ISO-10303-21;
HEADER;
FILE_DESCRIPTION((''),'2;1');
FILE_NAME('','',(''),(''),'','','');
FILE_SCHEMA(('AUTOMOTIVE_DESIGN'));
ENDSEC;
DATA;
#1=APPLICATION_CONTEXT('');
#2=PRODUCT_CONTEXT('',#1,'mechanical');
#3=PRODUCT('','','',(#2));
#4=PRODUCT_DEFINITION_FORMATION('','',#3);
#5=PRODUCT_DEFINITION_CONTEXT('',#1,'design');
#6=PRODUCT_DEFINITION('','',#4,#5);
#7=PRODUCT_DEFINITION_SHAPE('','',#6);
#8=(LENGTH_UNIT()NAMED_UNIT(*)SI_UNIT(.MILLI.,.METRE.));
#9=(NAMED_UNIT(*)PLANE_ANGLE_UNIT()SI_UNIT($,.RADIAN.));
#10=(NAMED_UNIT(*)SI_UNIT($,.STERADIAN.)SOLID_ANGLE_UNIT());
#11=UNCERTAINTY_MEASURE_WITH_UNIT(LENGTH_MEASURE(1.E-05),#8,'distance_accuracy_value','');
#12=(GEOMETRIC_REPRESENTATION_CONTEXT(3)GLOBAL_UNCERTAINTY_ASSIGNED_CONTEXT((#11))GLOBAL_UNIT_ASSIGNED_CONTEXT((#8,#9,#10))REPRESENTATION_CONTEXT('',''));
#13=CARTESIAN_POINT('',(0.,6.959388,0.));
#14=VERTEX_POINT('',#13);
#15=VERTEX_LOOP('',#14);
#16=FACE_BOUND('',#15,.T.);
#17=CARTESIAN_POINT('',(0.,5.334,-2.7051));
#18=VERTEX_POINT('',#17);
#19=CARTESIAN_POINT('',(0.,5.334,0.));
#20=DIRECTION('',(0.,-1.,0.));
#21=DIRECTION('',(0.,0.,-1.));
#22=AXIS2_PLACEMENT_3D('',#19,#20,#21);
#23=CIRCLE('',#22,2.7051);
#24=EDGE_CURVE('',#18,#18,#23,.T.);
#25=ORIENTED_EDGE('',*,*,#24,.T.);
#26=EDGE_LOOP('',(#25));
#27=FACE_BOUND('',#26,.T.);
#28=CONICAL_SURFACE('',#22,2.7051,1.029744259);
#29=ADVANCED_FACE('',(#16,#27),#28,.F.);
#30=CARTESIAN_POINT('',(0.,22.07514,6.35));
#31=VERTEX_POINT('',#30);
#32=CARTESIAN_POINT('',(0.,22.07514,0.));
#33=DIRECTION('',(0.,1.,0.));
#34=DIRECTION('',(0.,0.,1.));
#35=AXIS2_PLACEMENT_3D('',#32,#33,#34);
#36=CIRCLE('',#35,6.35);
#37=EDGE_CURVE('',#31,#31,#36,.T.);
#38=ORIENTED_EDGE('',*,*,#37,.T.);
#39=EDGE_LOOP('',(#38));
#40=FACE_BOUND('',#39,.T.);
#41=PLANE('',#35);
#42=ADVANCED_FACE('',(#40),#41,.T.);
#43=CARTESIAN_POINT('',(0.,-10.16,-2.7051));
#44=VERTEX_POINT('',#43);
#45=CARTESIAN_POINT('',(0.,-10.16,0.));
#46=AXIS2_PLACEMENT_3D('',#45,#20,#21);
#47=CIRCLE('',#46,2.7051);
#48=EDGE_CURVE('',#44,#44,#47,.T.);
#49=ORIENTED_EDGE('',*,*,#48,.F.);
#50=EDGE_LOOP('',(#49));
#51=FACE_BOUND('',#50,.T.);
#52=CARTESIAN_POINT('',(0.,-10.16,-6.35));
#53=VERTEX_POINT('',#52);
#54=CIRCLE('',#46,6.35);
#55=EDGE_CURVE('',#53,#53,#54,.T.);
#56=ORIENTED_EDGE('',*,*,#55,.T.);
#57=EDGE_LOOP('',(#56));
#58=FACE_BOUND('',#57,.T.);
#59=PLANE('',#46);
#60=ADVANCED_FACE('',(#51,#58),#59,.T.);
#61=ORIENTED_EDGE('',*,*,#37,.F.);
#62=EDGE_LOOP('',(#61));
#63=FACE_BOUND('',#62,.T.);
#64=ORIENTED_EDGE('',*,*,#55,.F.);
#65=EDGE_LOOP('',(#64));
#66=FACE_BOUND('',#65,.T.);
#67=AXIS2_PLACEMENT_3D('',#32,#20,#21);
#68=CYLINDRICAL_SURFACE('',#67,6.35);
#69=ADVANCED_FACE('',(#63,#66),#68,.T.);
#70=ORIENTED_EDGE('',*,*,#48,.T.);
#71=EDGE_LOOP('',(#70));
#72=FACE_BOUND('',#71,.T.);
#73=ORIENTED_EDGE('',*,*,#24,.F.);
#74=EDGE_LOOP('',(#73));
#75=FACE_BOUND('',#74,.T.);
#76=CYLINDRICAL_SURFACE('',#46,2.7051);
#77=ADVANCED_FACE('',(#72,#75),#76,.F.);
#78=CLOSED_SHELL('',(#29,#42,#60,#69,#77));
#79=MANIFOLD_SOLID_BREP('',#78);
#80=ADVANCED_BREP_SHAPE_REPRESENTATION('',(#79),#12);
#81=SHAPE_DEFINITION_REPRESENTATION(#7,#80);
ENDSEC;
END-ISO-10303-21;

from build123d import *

# Parameters (mm, degrees)
SKETCH1_R                   = 6.35
BOSS_EXTRUDE1_DEPTH         = 22.07514
SKETCH2_R                   = 6.35
BOSS_EXTRUDE2_DEPTH         = 10.16
F_1_4_28_TAPPED_HOLE1_D     = 5.4102
F_1_4_28_TAPPED_HOLE1_DEPTH = 15.494
F_1_4_28_TAPPED_HOLE1_TIP   = 1.625388061
SKETCH5_R                   = 6.35
BOSS_EXTRUDE3_DEPTH         = 3.175


with BuildPart() as part:
    # Sketch1 → Boss-Extrude1 (new body)
    with BuildSketch(Plane(origin=(0, 0, 0), x_dir=(1, 0, 0), z_dir=(0, 1, 0))):
        Circle(SKETCH1_R)
    extrude(amount=BOSS_EXTRUDE1_DEPTH)

    # Sketch2 → Boss-Extrude2 (add)
    with BuildSketch(Plane.XZ):
        Circle(SKETCH2_R)
    extrude(amount=BOSS_EXTRUDE2_DEPTH)

    # 1/4-28 Tapped Hole1
    with Locations(Plane(origin=(0, -10.16, 0), x_dir=(-1, 0, 0), z_dir=(0, -1, 0))):
        with Locations((0, 0)):
            Hole(F_1_4_28_TAPPED_HOLE1_D / 2, depth=F_1_4_28_TAPPED_HOLE1_DEPTH)
            with Locations((0, 0, -(F_1_4_28_TAPPED_HOLE1_DEPTH + F_1_4_28_TAPPED_HOLE1_TIP / 2))):  # 118° drill point
                Cone(0, F_1_4_28_TAPPED_HOLE1_D / 2, F_1_4_28_TAPPED_HOLE1_TIP, mode=Mode.SUBTRACT)

    # Sketch5 → Boss-Extrude3 (add)
    with BuildSketch(Plane(origin=(0, 22.07514, 0), x_dir=(1, 0, 0), z_dir=(0, 1, 0))):
        Circle(SKETCH5_R)
    extrude(amount=-BOSS_EXTRUDE3_DEPTH)


solid = part.part
